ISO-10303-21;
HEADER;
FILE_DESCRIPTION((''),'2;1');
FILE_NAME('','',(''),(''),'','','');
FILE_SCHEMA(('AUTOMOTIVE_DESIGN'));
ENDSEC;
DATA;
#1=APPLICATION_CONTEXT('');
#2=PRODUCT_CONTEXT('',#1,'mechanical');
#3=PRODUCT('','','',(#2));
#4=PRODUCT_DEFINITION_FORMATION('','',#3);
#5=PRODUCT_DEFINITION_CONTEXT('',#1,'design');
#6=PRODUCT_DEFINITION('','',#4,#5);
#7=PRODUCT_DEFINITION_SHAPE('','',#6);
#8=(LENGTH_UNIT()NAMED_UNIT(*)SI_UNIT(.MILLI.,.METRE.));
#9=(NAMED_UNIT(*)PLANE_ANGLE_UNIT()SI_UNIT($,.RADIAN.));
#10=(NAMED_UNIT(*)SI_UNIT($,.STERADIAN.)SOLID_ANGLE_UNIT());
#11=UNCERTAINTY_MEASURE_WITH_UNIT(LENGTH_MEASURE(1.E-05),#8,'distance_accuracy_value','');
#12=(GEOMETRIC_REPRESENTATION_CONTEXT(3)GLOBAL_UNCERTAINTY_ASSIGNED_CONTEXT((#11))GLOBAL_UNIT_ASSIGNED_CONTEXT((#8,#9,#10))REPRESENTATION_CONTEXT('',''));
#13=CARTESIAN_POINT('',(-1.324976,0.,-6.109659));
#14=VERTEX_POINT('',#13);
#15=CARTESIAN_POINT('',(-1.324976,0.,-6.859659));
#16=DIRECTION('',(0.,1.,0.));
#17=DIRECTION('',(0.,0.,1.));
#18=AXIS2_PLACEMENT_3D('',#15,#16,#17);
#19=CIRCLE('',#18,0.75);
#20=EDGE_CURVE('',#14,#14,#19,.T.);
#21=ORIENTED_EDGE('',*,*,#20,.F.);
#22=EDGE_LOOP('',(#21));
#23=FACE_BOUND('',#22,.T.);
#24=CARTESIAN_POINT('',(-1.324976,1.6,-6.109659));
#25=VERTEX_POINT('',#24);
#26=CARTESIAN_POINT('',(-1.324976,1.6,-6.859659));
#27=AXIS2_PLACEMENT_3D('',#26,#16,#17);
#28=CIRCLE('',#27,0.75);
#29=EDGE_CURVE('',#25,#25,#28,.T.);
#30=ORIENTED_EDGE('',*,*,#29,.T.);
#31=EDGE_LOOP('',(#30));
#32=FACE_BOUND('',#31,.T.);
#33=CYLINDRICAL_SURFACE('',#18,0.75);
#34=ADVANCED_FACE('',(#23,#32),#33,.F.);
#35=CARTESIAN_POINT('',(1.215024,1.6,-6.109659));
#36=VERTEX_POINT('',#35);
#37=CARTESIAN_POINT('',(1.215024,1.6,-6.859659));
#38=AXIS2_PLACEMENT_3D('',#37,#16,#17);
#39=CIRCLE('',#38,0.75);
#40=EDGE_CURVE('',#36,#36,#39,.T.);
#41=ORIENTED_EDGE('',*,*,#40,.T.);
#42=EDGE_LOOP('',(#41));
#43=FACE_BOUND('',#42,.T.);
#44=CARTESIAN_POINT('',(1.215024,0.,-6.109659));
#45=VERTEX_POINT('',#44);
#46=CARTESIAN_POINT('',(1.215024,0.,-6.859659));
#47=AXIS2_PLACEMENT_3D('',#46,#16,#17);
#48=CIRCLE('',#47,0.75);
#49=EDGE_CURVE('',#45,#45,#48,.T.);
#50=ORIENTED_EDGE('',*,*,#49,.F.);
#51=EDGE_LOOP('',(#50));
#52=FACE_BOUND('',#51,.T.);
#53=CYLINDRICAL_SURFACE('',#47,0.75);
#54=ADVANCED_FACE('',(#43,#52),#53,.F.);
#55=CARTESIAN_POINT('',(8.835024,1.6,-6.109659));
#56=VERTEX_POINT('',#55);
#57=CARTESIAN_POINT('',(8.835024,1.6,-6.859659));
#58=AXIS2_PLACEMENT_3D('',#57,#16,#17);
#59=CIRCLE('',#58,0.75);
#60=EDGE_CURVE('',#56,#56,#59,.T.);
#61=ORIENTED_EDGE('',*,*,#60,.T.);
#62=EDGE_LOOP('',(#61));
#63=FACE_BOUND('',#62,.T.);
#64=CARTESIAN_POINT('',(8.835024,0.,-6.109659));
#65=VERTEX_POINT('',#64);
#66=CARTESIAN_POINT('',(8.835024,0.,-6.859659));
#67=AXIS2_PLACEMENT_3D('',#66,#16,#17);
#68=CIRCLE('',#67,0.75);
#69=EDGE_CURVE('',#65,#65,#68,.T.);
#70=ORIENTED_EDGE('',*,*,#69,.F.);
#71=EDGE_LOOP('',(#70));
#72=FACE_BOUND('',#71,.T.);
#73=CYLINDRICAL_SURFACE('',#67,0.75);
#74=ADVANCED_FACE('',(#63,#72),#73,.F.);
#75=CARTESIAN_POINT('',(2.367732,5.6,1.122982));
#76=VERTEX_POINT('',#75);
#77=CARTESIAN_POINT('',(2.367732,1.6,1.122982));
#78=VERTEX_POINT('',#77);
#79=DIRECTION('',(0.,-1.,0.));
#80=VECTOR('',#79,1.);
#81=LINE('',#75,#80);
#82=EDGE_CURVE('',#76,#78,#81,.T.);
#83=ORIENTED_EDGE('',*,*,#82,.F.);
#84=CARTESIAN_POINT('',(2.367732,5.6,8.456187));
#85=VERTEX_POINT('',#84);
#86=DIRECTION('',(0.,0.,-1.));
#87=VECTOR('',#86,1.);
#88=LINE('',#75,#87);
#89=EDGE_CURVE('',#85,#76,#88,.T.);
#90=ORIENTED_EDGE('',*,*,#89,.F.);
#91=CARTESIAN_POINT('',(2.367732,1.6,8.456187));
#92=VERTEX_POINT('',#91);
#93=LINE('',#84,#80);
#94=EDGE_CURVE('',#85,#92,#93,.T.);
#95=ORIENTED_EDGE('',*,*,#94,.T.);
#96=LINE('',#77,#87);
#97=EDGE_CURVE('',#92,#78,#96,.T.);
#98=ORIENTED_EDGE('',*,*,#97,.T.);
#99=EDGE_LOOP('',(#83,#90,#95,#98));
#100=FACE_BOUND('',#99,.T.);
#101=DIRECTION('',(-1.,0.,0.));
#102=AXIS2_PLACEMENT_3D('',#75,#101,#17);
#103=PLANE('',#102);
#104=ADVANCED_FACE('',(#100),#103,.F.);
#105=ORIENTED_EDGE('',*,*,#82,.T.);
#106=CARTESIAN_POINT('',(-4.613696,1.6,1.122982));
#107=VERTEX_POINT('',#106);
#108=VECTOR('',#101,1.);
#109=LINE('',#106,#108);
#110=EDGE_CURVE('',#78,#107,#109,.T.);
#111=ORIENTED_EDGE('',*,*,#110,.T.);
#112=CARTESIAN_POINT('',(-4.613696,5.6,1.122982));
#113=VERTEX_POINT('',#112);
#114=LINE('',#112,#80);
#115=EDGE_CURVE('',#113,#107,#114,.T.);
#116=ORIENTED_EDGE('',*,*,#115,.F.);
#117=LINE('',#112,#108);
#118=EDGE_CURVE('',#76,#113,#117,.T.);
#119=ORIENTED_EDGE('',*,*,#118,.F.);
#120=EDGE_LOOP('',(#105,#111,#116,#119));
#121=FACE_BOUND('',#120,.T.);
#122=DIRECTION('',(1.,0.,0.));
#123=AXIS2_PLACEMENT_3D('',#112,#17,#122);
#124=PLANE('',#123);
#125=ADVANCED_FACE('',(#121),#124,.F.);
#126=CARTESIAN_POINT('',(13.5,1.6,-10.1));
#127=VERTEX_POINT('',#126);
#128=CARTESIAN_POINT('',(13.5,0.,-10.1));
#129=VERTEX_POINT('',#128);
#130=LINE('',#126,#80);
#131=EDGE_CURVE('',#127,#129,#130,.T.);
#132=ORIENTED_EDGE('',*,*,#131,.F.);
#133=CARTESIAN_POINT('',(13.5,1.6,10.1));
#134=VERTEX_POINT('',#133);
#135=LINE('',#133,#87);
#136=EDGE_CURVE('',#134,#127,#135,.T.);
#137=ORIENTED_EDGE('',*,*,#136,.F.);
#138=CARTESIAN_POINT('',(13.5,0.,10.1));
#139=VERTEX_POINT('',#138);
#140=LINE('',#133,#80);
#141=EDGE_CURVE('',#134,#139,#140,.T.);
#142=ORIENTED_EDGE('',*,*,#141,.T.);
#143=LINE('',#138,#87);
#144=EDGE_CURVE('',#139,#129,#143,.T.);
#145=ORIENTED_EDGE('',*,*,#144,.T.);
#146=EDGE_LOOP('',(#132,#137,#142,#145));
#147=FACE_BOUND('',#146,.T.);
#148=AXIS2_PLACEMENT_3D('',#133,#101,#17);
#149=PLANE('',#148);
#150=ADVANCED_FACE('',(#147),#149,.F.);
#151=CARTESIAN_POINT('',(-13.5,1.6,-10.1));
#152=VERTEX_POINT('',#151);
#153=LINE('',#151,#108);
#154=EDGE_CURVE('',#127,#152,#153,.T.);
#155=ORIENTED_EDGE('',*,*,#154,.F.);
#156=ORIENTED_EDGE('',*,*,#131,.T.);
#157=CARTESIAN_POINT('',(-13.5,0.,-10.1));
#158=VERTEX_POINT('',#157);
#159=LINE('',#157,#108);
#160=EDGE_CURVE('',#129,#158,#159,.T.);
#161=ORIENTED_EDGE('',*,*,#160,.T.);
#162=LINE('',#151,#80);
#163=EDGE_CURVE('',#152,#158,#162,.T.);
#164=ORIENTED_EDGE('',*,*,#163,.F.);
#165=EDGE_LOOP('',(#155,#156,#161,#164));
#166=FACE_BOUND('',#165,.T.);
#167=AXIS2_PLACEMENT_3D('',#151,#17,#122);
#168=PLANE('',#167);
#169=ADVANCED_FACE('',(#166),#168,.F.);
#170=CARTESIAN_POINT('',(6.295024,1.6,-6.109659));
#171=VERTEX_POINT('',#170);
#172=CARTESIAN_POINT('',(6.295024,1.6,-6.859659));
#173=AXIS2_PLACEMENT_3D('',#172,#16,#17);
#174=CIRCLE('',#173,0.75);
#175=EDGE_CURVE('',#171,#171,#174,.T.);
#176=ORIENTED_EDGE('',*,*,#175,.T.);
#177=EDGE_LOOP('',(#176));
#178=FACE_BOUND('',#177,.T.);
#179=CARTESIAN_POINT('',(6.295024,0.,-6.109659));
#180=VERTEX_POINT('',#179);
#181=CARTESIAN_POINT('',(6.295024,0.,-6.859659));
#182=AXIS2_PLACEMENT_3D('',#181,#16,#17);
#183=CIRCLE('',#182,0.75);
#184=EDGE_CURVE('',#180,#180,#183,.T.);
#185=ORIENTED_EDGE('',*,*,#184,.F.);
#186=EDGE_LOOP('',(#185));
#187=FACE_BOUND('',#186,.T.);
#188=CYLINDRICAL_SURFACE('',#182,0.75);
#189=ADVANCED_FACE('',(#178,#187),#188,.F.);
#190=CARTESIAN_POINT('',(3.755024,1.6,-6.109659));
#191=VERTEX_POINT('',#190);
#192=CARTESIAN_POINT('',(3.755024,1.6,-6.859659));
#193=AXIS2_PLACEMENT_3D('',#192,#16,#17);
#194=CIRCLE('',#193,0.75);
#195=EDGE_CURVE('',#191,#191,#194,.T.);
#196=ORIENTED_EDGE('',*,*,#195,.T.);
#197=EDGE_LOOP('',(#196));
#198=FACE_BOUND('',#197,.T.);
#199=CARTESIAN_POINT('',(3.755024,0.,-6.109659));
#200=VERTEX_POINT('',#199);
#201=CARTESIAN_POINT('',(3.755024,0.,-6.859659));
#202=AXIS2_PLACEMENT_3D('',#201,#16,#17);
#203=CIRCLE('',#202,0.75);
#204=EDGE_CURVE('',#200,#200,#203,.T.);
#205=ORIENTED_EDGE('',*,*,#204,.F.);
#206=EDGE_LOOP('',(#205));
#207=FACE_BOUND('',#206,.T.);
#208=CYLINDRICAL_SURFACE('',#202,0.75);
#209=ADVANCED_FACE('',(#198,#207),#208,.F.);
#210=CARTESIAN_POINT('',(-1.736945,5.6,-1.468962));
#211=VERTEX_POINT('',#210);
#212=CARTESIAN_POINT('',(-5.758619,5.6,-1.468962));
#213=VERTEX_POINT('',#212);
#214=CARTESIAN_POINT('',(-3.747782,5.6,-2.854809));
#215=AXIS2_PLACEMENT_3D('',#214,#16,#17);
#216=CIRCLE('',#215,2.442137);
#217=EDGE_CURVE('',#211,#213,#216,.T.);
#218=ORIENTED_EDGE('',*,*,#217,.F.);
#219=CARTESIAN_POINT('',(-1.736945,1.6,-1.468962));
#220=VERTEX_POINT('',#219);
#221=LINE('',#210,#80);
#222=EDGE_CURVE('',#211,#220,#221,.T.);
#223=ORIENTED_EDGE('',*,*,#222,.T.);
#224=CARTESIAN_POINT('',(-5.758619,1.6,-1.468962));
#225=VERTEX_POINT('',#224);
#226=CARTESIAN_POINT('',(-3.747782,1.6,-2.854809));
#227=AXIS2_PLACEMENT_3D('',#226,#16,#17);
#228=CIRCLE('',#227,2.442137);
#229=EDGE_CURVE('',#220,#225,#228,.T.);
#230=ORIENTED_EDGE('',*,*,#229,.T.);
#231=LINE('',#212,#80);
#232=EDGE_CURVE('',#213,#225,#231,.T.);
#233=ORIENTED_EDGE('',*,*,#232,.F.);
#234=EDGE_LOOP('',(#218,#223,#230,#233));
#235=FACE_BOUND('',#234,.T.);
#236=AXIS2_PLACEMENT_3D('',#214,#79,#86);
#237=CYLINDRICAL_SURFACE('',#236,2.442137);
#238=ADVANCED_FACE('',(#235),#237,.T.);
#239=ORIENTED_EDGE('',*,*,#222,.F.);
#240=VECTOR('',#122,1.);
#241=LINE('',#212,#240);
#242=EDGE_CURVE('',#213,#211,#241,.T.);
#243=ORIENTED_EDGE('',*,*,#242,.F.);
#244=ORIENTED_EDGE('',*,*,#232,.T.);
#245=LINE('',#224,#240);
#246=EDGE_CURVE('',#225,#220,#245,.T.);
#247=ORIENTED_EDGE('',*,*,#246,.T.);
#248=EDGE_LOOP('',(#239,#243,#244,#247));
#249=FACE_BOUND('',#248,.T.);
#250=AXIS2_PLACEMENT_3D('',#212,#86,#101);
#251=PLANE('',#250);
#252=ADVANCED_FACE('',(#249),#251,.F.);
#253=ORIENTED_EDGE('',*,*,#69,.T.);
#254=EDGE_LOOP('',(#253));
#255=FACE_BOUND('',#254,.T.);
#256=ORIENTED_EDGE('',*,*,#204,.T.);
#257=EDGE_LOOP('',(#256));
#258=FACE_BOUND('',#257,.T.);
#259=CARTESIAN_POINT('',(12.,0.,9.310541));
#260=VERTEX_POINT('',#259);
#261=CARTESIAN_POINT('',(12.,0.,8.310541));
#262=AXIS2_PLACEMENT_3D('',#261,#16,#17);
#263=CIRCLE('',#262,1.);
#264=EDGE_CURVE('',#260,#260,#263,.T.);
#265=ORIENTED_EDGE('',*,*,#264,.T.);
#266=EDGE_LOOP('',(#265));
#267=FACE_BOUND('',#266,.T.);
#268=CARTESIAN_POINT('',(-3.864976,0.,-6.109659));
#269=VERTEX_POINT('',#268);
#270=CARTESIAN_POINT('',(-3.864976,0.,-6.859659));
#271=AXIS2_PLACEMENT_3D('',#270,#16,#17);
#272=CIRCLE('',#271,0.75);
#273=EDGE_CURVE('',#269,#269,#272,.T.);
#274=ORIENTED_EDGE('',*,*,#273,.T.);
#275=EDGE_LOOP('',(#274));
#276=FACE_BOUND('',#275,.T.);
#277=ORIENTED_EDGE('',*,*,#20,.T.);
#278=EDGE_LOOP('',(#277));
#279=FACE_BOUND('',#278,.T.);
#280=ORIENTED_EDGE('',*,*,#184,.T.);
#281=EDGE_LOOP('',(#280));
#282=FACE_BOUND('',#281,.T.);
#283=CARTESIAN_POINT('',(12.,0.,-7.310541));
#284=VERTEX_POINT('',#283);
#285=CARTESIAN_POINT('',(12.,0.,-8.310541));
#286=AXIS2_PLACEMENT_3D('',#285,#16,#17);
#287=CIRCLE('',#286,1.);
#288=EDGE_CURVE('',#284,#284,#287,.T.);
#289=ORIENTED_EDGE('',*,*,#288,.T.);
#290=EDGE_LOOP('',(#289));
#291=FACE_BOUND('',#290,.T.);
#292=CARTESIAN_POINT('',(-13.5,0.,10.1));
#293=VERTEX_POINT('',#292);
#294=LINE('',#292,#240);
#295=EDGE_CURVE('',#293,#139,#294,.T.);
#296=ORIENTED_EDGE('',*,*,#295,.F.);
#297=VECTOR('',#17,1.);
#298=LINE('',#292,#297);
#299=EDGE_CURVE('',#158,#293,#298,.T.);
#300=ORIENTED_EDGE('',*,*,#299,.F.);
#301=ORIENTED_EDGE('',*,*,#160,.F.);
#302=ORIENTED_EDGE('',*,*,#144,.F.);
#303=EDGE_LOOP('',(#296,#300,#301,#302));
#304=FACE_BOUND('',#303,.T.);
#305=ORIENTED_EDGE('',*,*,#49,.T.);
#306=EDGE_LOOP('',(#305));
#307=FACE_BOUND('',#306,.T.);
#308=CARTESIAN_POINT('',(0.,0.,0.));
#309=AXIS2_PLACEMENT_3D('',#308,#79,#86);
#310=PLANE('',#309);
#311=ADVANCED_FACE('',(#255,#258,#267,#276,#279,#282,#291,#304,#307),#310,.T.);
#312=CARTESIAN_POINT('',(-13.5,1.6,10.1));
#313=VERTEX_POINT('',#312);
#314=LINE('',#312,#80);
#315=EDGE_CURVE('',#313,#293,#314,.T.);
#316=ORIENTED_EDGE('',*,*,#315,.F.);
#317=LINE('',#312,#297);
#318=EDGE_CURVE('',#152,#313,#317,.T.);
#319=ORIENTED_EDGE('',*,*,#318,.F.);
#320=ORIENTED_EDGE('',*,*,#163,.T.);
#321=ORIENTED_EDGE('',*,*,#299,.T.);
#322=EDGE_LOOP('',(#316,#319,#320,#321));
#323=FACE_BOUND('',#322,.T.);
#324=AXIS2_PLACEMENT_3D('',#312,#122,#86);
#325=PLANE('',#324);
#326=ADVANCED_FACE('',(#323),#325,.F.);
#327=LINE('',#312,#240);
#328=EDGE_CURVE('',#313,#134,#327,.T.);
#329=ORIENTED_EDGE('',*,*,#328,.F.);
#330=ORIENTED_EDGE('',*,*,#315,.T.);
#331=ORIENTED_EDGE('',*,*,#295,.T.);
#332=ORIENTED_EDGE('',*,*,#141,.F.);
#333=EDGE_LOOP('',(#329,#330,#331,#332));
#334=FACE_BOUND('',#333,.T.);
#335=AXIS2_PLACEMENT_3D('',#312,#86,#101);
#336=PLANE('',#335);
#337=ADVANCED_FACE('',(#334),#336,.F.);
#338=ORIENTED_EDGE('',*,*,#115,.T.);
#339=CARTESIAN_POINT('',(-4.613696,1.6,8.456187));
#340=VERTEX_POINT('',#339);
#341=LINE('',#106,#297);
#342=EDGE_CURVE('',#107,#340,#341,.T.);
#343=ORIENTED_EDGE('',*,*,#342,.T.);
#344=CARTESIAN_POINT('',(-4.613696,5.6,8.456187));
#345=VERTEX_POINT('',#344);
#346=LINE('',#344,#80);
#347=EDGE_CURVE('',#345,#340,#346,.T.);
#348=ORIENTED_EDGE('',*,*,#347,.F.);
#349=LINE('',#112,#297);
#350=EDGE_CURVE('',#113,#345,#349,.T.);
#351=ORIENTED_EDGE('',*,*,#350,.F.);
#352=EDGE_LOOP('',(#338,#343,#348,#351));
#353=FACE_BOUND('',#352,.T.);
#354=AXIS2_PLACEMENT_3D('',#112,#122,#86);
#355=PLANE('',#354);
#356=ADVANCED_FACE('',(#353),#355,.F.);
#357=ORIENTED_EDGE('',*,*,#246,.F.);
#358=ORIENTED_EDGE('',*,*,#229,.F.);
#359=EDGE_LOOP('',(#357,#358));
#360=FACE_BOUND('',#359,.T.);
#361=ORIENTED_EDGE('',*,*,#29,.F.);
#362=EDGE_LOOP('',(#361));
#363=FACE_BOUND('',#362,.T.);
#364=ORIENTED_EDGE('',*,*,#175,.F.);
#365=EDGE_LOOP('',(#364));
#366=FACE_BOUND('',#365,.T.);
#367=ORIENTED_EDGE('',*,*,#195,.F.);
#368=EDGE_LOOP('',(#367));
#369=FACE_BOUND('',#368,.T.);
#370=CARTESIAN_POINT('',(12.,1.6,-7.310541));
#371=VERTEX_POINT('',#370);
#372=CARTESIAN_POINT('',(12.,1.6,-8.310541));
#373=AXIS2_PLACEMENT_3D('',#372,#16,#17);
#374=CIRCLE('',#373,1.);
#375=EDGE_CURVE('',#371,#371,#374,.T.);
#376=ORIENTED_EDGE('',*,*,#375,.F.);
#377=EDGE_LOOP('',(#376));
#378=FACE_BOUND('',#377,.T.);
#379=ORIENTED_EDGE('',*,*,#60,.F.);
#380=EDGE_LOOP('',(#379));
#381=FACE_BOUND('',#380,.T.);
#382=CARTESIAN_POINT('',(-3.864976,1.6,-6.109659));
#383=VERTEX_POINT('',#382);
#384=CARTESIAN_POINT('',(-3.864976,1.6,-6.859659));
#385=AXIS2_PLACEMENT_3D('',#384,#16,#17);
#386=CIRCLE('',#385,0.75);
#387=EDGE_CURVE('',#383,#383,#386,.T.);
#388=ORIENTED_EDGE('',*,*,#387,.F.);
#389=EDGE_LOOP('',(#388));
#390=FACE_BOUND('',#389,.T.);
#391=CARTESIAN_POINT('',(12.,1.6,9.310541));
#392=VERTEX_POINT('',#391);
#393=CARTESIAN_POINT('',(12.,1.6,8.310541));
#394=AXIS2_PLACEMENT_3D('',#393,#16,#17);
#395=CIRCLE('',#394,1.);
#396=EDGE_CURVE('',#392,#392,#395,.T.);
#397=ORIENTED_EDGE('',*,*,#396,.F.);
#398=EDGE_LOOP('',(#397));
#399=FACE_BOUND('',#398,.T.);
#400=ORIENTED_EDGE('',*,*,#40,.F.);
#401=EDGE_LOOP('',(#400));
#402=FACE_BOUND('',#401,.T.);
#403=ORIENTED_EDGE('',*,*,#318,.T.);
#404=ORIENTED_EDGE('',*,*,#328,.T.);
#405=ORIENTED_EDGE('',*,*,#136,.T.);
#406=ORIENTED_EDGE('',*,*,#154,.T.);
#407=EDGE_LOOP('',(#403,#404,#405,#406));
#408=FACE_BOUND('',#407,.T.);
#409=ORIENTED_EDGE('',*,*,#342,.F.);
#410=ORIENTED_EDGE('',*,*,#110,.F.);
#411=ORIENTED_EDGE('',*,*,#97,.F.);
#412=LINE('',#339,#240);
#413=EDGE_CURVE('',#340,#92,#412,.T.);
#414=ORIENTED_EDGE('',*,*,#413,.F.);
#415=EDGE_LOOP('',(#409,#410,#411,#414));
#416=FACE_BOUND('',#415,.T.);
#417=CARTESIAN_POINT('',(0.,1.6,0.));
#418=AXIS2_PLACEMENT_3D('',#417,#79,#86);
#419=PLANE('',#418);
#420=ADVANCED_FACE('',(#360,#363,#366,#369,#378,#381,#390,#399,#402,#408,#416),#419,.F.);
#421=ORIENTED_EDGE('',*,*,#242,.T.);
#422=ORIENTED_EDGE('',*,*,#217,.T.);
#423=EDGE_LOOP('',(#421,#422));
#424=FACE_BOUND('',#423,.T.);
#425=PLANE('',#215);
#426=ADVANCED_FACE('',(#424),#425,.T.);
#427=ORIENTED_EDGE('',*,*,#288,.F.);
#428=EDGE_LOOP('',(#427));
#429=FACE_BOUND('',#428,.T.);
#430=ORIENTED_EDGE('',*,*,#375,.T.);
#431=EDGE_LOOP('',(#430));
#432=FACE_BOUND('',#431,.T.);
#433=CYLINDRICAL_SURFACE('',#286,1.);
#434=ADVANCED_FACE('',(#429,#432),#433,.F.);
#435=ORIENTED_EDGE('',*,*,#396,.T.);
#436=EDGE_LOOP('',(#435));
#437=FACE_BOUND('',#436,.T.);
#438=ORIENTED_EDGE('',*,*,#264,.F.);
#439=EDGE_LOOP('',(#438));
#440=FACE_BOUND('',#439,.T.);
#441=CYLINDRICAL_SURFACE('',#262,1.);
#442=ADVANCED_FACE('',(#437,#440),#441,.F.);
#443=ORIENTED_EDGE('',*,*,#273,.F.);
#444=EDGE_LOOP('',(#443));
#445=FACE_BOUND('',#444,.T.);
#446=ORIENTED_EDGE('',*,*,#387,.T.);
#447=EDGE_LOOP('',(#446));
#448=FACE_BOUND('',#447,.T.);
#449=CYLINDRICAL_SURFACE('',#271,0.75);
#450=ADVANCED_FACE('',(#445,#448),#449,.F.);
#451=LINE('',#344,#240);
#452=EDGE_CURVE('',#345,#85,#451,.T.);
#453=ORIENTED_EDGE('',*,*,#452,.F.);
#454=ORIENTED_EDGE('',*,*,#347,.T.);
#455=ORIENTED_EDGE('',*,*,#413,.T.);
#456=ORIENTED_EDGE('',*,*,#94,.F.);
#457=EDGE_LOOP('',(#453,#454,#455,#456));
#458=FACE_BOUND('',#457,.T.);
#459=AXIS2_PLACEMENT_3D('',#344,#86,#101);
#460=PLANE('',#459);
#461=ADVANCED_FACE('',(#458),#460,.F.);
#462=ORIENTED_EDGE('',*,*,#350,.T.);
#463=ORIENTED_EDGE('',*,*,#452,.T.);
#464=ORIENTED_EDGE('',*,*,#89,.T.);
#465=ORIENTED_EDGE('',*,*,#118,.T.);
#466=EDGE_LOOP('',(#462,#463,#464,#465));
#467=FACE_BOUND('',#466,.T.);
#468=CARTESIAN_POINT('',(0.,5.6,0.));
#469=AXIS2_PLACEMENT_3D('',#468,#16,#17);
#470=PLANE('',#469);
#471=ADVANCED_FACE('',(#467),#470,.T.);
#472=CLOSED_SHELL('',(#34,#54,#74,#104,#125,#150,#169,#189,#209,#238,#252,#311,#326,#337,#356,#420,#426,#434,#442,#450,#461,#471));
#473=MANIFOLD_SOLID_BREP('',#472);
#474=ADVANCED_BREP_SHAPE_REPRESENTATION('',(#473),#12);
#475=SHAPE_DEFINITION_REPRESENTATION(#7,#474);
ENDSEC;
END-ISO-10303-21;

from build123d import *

# Parameters (mm, degrees)
SKETCH1_W           = 27
SKETCH1_H           = 20.2
BOSS_EXTRUDE1_DEPTH = 1.6
SKETCH2_R           = 1
CUT_EXTRUDE1_DEPTH  = 17.935760981
SKETCH4_R           = 0.75
CUT_EXTRUDE2_DEPTH  = 17.935760981
SKETCH6_W           = 6.981427811
SKETCH6_H           = 7.333205182
BOSS_EXTRUDE2_DEPTH = 4
BOSS_EXTRUDE3_DEPTH = 4


with BuildPart() as part:
    # Sketch1 → Boss-Extrude1 (new body)
    with BuildSketch(Plane(origin=(0, 0, 0), x_dir=(1, 0, 0), z_dir=(0, 1, 0))):
        Rectangle(SKETCH1_W, SKETCH1_H)
    extrude(amount=BOSS_EXTRUDE1_DEPTH)

    # Sketch2 → Cut-Extrude1 (cut, through all)
    with BuildSketch(Plane(origin=(0, 1.6, 0), x_dir=(1, 0, 0), z_dir=(0, 1, 0))):
        with Locations(Location((12, 8.310541443, 0), (0, 0, 270))):
            Circle(SKETCH2_R)
        with Locations(Location((12, -8.310541443, 0), (0, 0, 270))):
            Circle(SKETCH2_R)
    extrude(amount=-CUT_EXTRUDE1_DEPTH, mode=Mode.SUBTRACT)

    # Sketch4 → Cut-Extrude2 (cut, through all)
    with BuildSketch(Plane(origin=(0, 1.6, 0), x_dir=(1, 0, 0), z_dir=(0, 1, 0))):
        with Locations(Location((8.835023955, 6.859658721, 0), (0, 0, 270))):
            Circle(SKETCH4_R)
        with Locations(Location((6.295023955, 6.859658721, 0), (0, 0, 270))):
            Circle(SKETCH4_R)
        with Locations(Location((3.755023955, 6.859658721, 0), (0, 0, 270))):
            Circle(SKETCH4_R)
        with Locations(Location((1.215023955, 6.859658721, 0), (0, 0, 270))):
            Circle(SKETCH4_R)
        with Locations(Location((-1.324976045, 6.859658721, 0), (0, 0, 270))):
            Circle(SKETCH4_R)
        with Locations(Location((-3.864976045, 6.859658721, 0), (0, 0, 270))):
            Circle(SKETCH4_R)
    extrude(amount=-CUT_EXTRUDE2_DEPTH, mode=Mode.SUBTRACT)

    # Sketch6 → Boss-Extrude2 (add)
    with BuildSketch(Plane(origin=(0, 1.6, 0), x_dir=(1, 0, 0), z_dir=(0, 1, 0))):
        with Locations((-1.122981606, -4.789584196)):
            Rectangle(SKETCH6_W, SKETCH6_H)
    extrude(amount=BOSS_EXTRUDE2_DEPTH)

    # Sketch7 → Boss-Extrude3 (add)
    with BuildSketch(Plane(origin=(0, 1.6, 0), x_dir=(1, 0, 0), z_dir=(0, 1, 0))):
        with BuildLine():
            Line((-5.758618523, 1.468961855), (-1.736945444, 1.468961855))
            ThreePointArc((-1.736945444, 1.468961855), (-3.747781984, 5.296946033), (-5.758618523, 1.468961855))
        make_face()
    extrude(amount=BOSS_EXTRUDE3_DEPTH)


solid = part.part
